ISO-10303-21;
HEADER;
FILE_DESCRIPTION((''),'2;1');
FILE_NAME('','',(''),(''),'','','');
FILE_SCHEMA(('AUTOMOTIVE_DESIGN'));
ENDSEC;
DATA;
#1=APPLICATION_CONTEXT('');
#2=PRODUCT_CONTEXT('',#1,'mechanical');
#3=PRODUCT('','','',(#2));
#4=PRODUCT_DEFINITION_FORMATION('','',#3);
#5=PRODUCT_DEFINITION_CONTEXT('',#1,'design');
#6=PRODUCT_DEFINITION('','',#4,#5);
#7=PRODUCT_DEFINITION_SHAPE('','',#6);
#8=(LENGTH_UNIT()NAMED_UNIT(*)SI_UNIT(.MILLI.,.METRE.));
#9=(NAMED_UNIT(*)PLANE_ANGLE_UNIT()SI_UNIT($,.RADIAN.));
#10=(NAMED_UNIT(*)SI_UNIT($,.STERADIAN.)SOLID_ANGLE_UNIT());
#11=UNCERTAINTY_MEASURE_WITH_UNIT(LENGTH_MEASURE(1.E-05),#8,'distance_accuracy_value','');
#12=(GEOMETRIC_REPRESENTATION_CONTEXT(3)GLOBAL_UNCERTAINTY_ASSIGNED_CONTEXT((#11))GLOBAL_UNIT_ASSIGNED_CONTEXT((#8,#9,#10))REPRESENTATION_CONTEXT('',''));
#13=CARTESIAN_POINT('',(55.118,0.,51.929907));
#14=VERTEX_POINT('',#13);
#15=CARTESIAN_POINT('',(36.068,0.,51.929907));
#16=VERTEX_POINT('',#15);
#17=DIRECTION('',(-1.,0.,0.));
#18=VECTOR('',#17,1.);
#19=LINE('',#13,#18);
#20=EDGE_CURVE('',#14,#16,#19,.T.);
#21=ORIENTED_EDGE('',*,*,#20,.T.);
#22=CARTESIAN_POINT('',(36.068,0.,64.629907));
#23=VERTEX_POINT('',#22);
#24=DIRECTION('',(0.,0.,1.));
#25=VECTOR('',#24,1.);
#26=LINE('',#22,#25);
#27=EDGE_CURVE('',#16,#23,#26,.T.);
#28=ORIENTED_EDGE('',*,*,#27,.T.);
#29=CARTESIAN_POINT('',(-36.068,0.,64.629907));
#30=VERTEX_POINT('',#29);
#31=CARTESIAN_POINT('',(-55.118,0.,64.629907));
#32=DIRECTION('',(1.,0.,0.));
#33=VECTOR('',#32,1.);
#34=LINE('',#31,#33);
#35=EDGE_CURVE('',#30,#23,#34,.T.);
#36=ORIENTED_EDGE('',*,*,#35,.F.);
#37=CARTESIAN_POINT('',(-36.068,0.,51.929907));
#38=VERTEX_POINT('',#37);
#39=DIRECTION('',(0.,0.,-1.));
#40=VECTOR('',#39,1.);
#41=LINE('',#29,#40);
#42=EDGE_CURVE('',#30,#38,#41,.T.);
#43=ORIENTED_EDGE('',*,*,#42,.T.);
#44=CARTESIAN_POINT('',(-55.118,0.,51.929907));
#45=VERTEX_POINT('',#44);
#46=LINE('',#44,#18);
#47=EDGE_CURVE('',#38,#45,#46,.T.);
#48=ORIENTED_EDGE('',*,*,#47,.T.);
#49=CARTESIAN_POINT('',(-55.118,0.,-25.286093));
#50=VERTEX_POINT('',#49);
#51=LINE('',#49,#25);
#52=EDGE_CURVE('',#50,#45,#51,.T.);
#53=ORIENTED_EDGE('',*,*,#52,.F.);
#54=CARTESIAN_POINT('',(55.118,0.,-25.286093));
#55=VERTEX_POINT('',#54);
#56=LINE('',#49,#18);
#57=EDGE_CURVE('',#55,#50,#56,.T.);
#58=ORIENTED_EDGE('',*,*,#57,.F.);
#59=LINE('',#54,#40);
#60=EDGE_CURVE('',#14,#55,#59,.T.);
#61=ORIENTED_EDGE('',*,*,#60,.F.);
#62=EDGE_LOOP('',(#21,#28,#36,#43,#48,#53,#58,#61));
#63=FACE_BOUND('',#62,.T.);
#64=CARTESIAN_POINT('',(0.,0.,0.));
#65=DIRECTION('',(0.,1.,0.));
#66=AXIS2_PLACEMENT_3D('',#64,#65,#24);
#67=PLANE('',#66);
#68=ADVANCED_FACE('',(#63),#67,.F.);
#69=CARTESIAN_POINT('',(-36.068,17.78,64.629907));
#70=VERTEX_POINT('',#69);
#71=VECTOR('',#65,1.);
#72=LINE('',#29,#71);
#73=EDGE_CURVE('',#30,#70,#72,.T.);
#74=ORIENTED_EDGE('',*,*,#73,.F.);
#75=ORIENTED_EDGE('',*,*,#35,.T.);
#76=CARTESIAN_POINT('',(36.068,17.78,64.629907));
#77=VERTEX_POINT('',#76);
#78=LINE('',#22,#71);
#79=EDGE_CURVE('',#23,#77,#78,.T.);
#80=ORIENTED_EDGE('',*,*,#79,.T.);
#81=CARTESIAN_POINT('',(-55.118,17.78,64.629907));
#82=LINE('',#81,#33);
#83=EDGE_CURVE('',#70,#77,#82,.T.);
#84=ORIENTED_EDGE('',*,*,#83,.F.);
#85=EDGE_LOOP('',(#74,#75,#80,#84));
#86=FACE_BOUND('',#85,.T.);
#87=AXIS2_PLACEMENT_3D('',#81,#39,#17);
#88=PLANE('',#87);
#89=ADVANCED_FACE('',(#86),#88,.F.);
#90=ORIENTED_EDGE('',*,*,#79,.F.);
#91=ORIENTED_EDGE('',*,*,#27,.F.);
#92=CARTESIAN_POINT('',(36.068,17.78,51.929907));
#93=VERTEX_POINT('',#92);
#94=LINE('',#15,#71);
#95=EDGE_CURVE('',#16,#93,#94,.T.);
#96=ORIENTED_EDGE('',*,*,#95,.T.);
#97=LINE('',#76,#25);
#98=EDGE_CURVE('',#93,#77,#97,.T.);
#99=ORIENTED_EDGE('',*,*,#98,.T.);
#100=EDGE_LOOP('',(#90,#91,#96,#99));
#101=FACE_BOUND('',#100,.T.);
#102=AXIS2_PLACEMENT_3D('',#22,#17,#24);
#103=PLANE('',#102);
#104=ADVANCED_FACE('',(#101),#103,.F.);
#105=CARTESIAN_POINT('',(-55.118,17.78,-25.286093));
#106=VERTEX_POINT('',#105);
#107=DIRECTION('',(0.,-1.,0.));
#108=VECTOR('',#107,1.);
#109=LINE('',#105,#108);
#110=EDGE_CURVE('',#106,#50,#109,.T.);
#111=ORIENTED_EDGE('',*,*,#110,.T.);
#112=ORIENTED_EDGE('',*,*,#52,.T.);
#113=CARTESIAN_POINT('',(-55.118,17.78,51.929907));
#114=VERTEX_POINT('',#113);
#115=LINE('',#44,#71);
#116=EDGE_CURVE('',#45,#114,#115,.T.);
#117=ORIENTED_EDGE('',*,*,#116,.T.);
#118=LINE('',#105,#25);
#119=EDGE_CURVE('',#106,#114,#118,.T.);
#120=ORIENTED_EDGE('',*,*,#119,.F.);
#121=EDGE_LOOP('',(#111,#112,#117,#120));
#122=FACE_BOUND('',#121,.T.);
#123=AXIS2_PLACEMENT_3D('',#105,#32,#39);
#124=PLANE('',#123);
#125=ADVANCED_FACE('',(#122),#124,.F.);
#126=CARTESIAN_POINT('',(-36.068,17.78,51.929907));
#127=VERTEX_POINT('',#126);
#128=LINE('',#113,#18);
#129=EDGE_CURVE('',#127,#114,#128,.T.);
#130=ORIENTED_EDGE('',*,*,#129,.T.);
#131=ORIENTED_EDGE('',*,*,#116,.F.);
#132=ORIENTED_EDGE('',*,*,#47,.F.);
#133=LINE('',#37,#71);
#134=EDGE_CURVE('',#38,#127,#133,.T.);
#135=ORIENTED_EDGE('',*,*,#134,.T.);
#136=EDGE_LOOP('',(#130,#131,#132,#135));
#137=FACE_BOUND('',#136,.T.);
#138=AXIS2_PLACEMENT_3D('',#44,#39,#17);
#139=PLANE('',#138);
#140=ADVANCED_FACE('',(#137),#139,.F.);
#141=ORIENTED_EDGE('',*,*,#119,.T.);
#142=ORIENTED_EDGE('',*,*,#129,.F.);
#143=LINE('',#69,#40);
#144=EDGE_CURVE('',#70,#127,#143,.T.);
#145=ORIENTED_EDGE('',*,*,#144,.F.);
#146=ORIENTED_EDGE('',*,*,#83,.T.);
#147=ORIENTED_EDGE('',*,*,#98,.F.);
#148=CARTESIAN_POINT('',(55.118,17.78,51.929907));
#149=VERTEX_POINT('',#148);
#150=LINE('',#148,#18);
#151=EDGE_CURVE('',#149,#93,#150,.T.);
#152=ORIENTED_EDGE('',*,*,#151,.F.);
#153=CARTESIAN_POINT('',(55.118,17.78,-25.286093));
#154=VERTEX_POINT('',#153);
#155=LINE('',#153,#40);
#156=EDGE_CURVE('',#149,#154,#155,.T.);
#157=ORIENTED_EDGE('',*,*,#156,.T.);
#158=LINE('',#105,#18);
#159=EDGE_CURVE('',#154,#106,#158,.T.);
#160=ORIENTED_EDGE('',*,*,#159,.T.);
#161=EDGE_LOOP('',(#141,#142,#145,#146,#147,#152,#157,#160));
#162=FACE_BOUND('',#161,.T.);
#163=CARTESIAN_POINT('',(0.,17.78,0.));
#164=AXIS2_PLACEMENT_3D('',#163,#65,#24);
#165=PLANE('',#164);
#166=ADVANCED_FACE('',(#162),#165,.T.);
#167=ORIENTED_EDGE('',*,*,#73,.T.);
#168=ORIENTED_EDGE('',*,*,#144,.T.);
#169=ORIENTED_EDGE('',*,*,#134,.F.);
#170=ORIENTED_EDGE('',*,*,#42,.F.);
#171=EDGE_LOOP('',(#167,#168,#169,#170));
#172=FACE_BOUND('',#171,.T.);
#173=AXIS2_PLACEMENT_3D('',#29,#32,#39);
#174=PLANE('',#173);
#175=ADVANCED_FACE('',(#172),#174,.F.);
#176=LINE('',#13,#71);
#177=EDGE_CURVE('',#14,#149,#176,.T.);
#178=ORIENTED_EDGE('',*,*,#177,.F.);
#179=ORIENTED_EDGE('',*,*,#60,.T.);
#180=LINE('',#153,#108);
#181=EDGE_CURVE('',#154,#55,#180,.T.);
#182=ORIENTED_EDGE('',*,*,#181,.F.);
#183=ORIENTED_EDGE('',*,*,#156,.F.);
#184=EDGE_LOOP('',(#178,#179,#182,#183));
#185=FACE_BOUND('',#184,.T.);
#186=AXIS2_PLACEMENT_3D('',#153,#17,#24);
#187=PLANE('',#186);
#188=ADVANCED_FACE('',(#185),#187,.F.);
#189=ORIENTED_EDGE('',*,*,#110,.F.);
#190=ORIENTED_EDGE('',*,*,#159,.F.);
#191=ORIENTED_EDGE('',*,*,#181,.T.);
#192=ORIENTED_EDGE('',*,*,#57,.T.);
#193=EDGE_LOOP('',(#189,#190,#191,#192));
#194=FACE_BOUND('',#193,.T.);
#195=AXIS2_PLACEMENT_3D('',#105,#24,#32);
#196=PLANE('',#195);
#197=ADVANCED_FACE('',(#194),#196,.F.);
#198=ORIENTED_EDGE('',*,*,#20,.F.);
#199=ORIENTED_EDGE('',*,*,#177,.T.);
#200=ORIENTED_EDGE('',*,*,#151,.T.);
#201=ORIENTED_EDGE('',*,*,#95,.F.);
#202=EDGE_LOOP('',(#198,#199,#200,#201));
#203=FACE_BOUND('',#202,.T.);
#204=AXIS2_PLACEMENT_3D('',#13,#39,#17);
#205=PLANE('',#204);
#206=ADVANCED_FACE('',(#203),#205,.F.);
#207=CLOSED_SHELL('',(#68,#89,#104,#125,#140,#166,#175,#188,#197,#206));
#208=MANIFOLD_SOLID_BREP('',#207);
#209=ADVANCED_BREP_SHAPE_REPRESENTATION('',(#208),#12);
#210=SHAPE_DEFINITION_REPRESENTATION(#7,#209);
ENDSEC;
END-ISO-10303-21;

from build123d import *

# Parameters (mm, degrees)
SKETCH1_W           = 110.236
SKETCH1_H           = 89.916
BOSS_EXTRUDE1_DEPTH = 17.78
SKETCH2_W           = 19.05
SKETCH2_H           = 12.7
CUT_EXTRUDE1_DEPTH  = 17.78


with BuildPart() as part:
    # Sketch1 → Boss-Extrude1 (new body)
    with BuildSketch(Plane(origin=(0, 0, 0), x_dir=(1, 0, 0), z_dir=(0, 1, 0))):
        with Locations((0, -19.671907216)):
            Rectangle(SKETCH1_W, SKETCH1_H)
    extrude(amount=BOSS_EXTRUDE1_DEPTH)

    # Sketch2 → Cut-Extrude1 (cut)
    with BuildSketch(Plane(origin=(0, 17.78, 0), x_dir=(1, 0, 0), z_dir=(0, 1, 0))):
        with Locations((-45.593, -58.279907216)):
            Rectangle(SKETCH2_W, SKETCH2_H)
        with Locations((45.593, -58.279907216)):
            Rectangle(SKETCH2_W, SKETCH2_H)
    extrude(amount=-CUT_EXTRUDE1_DEPTH, mode=Mode.SUBTRACT)


solid = part.part
